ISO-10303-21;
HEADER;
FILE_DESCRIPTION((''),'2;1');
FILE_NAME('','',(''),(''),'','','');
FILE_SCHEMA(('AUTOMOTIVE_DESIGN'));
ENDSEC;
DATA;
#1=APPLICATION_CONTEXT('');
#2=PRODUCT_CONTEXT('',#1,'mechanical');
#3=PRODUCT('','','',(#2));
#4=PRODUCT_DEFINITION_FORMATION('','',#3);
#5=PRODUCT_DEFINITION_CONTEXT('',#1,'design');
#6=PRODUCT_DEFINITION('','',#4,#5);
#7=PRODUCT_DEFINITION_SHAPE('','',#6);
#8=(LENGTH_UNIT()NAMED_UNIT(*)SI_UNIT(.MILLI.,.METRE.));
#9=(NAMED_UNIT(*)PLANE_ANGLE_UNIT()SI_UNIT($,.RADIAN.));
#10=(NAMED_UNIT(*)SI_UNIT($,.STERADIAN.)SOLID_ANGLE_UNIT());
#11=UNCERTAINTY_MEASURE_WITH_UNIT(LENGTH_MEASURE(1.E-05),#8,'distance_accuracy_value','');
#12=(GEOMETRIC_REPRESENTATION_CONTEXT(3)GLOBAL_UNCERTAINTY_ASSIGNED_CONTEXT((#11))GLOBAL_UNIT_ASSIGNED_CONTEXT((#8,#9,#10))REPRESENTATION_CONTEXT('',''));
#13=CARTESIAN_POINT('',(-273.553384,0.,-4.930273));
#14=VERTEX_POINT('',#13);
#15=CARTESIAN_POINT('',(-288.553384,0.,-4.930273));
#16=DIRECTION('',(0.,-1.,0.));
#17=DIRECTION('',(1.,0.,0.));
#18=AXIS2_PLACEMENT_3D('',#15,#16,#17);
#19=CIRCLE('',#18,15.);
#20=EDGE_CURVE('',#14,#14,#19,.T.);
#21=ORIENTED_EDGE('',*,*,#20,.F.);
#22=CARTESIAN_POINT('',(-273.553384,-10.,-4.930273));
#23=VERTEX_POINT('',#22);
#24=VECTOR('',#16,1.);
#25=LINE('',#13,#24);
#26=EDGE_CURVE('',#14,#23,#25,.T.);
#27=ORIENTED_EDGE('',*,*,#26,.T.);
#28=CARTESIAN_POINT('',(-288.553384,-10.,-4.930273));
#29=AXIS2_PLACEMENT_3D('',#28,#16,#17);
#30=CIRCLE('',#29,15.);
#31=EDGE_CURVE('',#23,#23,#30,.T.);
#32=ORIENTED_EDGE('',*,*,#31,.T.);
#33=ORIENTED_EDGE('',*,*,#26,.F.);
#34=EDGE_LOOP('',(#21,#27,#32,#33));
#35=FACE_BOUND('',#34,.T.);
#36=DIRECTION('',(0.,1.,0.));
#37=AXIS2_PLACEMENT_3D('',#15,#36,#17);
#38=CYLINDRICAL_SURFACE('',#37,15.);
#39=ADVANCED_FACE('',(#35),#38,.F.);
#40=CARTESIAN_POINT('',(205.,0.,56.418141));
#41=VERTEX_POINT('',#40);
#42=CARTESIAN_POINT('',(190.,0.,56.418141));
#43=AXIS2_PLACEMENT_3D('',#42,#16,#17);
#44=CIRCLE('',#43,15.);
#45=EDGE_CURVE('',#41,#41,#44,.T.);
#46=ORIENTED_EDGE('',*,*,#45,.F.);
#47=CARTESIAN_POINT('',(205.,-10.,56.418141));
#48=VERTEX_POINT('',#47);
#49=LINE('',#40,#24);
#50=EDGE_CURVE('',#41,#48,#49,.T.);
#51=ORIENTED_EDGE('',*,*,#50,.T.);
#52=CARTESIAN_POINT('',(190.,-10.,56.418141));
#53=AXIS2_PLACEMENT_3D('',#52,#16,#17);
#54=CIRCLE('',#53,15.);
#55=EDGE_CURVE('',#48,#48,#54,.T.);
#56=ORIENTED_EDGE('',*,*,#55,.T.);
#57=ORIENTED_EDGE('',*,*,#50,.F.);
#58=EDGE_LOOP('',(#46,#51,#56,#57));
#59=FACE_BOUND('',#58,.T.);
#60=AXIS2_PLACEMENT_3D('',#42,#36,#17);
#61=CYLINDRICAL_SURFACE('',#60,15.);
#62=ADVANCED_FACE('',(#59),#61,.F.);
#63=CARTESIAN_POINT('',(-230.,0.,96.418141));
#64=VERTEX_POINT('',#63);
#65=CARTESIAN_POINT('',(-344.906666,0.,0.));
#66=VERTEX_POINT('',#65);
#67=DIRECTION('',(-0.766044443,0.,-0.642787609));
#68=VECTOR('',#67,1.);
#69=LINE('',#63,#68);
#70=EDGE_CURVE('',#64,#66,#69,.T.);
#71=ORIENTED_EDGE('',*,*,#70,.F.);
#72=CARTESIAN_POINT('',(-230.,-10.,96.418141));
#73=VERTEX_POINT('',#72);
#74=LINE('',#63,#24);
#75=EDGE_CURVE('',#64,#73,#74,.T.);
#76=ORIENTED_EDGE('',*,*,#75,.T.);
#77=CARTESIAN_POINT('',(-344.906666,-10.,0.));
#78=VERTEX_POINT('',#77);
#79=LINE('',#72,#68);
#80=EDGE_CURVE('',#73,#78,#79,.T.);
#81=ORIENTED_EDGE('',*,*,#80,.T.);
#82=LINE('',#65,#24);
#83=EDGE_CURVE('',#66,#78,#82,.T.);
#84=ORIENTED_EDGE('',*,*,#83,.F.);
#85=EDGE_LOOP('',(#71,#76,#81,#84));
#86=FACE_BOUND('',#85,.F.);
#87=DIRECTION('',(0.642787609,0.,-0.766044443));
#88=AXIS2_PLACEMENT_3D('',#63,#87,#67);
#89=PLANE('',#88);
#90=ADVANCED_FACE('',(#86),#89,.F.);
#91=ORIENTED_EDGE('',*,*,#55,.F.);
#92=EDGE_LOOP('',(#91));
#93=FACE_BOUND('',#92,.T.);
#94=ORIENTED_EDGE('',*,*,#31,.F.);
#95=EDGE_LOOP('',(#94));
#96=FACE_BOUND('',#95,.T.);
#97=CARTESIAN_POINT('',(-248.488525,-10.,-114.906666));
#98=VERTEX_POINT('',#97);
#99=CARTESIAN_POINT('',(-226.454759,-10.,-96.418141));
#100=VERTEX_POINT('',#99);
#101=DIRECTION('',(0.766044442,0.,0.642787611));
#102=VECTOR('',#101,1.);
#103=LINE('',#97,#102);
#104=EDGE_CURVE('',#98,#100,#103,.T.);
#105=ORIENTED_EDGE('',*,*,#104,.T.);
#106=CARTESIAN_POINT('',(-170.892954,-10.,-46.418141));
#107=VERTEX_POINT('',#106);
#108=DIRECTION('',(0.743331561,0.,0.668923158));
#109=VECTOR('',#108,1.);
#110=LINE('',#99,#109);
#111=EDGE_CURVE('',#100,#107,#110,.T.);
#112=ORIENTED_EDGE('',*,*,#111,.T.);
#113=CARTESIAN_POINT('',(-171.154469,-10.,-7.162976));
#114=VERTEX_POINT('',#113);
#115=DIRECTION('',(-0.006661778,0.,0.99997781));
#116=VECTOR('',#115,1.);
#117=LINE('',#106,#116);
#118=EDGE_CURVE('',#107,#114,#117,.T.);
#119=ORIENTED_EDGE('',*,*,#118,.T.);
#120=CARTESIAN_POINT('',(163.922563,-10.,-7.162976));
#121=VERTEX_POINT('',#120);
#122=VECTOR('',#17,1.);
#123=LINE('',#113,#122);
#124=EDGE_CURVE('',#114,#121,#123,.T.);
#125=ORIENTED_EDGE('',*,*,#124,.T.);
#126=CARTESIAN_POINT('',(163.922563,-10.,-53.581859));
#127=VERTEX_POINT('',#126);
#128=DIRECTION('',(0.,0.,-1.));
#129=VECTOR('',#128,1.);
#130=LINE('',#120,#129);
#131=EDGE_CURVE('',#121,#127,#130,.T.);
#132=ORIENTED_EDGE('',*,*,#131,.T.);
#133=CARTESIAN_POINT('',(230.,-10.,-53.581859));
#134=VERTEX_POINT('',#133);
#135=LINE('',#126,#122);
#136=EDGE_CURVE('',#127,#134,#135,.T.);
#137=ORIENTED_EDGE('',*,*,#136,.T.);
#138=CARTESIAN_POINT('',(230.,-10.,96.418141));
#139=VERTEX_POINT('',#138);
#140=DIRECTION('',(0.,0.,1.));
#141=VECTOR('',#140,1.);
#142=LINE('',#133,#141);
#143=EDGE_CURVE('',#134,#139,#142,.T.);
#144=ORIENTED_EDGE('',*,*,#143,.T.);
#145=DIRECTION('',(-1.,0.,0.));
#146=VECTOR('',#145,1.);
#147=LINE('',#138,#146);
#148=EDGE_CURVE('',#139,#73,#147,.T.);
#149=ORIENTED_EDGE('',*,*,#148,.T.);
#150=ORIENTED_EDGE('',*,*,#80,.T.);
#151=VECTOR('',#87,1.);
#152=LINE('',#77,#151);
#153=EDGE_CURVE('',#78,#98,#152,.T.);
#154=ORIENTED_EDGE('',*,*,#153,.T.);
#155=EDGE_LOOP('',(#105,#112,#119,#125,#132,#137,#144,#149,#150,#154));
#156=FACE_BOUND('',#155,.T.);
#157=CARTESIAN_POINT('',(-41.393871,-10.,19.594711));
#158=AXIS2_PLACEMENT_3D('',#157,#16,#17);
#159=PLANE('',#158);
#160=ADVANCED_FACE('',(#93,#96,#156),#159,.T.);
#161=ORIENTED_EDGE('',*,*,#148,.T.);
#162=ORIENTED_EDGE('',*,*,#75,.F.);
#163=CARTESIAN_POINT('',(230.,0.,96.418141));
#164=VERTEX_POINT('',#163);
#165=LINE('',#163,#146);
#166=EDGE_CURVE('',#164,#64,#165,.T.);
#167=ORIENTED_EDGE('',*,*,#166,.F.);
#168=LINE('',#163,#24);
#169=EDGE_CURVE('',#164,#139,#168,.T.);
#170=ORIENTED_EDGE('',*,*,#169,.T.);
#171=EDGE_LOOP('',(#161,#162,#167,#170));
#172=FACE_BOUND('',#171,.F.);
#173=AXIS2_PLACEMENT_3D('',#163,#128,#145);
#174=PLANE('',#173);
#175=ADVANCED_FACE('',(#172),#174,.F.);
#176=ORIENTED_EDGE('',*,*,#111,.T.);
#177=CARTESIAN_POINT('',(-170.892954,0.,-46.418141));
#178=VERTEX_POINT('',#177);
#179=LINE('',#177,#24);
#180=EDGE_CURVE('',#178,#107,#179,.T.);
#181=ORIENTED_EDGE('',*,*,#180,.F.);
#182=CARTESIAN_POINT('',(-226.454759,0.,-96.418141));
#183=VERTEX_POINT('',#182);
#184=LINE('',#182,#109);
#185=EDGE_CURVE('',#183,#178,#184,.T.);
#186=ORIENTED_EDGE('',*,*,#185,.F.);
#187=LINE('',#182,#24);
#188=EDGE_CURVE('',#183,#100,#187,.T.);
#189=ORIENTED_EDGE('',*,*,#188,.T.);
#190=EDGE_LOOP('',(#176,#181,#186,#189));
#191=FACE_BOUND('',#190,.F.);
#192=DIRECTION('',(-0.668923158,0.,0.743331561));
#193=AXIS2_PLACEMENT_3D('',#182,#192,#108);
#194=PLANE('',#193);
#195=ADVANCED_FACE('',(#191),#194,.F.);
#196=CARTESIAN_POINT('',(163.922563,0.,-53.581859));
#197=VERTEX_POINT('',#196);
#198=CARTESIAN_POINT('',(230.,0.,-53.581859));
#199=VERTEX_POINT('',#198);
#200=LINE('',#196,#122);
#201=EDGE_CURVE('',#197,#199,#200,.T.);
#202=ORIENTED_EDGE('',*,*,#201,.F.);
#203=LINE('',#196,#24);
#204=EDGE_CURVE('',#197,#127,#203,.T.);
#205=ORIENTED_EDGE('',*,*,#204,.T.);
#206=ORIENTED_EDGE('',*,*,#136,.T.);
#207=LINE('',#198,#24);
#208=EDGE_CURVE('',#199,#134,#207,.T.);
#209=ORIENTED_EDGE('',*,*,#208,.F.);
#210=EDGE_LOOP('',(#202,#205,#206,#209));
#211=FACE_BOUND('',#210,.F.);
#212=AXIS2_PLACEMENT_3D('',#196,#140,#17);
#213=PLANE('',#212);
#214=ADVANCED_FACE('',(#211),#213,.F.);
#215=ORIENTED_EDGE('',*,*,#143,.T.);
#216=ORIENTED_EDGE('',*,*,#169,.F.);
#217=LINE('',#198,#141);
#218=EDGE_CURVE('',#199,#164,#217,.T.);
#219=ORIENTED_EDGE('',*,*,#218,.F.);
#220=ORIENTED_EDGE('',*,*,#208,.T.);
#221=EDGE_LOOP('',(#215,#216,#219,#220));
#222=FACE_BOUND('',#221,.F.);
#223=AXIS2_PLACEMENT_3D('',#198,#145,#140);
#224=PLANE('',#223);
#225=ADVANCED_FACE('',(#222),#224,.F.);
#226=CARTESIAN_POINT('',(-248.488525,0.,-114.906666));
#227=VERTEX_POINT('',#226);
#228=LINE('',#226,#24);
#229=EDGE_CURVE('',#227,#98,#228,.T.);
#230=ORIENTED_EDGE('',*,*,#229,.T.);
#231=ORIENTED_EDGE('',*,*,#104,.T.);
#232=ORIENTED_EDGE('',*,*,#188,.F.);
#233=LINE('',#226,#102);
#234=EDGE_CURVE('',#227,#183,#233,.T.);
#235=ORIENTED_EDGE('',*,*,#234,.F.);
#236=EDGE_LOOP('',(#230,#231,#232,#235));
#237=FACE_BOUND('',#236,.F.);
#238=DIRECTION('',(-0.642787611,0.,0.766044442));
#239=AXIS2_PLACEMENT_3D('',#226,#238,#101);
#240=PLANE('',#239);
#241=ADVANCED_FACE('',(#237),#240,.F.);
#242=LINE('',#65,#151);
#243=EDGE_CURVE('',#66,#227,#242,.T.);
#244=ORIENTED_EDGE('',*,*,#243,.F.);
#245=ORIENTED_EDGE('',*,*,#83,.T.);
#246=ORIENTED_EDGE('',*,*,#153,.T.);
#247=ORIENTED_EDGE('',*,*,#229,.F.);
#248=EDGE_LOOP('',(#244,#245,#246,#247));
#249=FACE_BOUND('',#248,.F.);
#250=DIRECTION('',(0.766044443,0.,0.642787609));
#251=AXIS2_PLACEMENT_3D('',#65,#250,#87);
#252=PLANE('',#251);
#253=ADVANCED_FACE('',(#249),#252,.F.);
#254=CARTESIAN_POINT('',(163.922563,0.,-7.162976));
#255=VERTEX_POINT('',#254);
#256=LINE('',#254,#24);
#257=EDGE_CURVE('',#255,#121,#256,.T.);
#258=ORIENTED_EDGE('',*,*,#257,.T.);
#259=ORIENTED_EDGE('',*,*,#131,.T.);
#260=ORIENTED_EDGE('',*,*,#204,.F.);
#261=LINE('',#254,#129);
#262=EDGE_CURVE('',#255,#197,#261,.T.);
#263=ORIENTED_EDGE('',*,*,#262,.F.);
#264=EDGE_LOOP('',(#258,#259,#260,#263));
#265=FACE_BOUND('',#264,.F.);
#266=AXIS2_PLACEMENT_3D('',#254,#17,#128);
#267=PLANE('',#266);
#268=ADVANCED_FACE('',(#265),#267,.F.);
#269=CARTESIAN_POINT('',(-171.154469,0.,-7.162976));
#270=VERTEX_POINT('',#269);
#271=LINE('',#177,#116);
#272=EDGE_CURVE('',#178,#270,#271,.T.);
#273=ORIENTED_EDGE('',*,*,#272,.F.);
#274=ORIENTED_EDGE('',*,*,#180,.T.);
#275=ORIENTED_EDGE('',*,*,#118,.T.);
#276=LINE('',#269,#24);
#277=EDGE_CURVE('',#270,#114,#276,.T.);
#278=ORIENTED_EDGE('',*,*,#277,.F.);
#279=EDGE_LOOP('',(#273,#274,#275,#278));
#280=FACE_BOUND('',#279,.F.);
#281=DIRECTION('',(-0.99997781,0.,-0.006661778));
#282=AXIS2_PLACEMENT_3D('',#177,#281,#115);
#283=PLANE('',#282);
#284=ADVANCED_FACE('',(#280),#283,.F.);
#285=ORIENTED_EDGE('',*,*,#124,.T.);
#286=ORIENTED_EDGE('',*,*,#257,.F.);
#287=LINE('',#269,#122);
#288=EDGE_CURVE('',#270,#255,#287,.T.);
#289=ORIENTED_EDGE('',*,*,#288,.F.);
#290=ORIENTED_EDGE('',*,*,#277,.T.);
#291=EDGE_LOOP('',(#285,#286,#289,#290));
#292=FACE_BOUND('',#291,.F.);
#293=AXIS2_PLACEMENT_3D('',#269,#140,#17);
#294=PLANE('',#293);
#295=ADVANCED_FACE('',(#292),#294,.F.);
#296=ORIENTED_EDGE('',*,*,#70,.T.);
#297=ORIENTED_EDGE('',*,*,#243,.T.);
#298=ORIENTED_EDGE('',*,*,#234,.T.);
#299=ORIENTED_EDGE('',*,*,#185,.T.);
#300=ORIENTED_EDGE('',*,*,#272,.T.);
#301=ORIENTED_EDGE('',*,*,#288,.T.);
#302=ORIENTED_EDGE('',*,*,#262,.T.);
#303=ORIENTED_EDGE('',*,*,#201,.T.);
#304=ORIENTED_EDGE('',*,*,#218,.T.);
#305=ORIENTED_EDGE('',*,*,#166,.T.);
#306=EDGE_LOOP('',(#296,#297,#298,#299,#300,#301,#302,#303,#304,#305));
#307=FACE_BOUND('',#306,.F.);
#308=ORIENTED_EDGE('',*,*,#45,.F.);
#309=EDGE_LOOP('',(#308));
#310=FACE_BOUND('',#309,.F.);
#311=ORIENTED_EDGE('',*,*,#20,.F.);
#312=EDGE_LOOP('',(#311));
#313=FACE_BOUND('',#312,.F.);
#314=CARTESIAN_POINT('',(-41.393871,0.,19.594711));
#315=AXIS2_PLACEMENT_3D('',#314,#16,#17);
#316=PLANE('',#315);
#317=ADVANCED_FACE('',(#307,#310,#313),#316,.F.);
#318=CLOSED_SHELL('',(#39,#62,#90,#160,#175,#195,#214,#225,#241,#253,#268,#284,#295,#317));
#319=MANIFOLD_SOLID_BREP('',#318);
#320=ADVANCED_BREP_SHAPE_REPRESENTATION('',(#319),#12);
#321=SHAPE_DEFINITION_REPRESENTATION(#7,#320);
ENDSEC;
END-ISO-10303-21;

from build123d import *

# Parameters (mm, degrees)
F0_R     = 15
F1_DEPTH = 10


with BuildPart() as f1:
    # F0 (on Front) → F1 (new body)
    with BuildSketch(Plane.XZ):
        Polygon((230, -53.581859), (230, 96.418141), (-230, 96.418141), (-344.906666, 0), (-248.488525, -114.906666), (-226.454759, -96.418141), (-170.892954, -46.418141), (-171.154469, -7.162976), (163.922563, -7.162976), (163.922563, -53.581859), align=None)
        with Locations((-288.553384, -4.930273)):
            Circle(F0_R, mode=Mode.SUBTRACT)
        with Locations((190, 56.418141)):
            Circle(F0_R, mode=Mode.SUBTRACT)
    extrude(amount=F1_DEPTH)


solid = f1.part
